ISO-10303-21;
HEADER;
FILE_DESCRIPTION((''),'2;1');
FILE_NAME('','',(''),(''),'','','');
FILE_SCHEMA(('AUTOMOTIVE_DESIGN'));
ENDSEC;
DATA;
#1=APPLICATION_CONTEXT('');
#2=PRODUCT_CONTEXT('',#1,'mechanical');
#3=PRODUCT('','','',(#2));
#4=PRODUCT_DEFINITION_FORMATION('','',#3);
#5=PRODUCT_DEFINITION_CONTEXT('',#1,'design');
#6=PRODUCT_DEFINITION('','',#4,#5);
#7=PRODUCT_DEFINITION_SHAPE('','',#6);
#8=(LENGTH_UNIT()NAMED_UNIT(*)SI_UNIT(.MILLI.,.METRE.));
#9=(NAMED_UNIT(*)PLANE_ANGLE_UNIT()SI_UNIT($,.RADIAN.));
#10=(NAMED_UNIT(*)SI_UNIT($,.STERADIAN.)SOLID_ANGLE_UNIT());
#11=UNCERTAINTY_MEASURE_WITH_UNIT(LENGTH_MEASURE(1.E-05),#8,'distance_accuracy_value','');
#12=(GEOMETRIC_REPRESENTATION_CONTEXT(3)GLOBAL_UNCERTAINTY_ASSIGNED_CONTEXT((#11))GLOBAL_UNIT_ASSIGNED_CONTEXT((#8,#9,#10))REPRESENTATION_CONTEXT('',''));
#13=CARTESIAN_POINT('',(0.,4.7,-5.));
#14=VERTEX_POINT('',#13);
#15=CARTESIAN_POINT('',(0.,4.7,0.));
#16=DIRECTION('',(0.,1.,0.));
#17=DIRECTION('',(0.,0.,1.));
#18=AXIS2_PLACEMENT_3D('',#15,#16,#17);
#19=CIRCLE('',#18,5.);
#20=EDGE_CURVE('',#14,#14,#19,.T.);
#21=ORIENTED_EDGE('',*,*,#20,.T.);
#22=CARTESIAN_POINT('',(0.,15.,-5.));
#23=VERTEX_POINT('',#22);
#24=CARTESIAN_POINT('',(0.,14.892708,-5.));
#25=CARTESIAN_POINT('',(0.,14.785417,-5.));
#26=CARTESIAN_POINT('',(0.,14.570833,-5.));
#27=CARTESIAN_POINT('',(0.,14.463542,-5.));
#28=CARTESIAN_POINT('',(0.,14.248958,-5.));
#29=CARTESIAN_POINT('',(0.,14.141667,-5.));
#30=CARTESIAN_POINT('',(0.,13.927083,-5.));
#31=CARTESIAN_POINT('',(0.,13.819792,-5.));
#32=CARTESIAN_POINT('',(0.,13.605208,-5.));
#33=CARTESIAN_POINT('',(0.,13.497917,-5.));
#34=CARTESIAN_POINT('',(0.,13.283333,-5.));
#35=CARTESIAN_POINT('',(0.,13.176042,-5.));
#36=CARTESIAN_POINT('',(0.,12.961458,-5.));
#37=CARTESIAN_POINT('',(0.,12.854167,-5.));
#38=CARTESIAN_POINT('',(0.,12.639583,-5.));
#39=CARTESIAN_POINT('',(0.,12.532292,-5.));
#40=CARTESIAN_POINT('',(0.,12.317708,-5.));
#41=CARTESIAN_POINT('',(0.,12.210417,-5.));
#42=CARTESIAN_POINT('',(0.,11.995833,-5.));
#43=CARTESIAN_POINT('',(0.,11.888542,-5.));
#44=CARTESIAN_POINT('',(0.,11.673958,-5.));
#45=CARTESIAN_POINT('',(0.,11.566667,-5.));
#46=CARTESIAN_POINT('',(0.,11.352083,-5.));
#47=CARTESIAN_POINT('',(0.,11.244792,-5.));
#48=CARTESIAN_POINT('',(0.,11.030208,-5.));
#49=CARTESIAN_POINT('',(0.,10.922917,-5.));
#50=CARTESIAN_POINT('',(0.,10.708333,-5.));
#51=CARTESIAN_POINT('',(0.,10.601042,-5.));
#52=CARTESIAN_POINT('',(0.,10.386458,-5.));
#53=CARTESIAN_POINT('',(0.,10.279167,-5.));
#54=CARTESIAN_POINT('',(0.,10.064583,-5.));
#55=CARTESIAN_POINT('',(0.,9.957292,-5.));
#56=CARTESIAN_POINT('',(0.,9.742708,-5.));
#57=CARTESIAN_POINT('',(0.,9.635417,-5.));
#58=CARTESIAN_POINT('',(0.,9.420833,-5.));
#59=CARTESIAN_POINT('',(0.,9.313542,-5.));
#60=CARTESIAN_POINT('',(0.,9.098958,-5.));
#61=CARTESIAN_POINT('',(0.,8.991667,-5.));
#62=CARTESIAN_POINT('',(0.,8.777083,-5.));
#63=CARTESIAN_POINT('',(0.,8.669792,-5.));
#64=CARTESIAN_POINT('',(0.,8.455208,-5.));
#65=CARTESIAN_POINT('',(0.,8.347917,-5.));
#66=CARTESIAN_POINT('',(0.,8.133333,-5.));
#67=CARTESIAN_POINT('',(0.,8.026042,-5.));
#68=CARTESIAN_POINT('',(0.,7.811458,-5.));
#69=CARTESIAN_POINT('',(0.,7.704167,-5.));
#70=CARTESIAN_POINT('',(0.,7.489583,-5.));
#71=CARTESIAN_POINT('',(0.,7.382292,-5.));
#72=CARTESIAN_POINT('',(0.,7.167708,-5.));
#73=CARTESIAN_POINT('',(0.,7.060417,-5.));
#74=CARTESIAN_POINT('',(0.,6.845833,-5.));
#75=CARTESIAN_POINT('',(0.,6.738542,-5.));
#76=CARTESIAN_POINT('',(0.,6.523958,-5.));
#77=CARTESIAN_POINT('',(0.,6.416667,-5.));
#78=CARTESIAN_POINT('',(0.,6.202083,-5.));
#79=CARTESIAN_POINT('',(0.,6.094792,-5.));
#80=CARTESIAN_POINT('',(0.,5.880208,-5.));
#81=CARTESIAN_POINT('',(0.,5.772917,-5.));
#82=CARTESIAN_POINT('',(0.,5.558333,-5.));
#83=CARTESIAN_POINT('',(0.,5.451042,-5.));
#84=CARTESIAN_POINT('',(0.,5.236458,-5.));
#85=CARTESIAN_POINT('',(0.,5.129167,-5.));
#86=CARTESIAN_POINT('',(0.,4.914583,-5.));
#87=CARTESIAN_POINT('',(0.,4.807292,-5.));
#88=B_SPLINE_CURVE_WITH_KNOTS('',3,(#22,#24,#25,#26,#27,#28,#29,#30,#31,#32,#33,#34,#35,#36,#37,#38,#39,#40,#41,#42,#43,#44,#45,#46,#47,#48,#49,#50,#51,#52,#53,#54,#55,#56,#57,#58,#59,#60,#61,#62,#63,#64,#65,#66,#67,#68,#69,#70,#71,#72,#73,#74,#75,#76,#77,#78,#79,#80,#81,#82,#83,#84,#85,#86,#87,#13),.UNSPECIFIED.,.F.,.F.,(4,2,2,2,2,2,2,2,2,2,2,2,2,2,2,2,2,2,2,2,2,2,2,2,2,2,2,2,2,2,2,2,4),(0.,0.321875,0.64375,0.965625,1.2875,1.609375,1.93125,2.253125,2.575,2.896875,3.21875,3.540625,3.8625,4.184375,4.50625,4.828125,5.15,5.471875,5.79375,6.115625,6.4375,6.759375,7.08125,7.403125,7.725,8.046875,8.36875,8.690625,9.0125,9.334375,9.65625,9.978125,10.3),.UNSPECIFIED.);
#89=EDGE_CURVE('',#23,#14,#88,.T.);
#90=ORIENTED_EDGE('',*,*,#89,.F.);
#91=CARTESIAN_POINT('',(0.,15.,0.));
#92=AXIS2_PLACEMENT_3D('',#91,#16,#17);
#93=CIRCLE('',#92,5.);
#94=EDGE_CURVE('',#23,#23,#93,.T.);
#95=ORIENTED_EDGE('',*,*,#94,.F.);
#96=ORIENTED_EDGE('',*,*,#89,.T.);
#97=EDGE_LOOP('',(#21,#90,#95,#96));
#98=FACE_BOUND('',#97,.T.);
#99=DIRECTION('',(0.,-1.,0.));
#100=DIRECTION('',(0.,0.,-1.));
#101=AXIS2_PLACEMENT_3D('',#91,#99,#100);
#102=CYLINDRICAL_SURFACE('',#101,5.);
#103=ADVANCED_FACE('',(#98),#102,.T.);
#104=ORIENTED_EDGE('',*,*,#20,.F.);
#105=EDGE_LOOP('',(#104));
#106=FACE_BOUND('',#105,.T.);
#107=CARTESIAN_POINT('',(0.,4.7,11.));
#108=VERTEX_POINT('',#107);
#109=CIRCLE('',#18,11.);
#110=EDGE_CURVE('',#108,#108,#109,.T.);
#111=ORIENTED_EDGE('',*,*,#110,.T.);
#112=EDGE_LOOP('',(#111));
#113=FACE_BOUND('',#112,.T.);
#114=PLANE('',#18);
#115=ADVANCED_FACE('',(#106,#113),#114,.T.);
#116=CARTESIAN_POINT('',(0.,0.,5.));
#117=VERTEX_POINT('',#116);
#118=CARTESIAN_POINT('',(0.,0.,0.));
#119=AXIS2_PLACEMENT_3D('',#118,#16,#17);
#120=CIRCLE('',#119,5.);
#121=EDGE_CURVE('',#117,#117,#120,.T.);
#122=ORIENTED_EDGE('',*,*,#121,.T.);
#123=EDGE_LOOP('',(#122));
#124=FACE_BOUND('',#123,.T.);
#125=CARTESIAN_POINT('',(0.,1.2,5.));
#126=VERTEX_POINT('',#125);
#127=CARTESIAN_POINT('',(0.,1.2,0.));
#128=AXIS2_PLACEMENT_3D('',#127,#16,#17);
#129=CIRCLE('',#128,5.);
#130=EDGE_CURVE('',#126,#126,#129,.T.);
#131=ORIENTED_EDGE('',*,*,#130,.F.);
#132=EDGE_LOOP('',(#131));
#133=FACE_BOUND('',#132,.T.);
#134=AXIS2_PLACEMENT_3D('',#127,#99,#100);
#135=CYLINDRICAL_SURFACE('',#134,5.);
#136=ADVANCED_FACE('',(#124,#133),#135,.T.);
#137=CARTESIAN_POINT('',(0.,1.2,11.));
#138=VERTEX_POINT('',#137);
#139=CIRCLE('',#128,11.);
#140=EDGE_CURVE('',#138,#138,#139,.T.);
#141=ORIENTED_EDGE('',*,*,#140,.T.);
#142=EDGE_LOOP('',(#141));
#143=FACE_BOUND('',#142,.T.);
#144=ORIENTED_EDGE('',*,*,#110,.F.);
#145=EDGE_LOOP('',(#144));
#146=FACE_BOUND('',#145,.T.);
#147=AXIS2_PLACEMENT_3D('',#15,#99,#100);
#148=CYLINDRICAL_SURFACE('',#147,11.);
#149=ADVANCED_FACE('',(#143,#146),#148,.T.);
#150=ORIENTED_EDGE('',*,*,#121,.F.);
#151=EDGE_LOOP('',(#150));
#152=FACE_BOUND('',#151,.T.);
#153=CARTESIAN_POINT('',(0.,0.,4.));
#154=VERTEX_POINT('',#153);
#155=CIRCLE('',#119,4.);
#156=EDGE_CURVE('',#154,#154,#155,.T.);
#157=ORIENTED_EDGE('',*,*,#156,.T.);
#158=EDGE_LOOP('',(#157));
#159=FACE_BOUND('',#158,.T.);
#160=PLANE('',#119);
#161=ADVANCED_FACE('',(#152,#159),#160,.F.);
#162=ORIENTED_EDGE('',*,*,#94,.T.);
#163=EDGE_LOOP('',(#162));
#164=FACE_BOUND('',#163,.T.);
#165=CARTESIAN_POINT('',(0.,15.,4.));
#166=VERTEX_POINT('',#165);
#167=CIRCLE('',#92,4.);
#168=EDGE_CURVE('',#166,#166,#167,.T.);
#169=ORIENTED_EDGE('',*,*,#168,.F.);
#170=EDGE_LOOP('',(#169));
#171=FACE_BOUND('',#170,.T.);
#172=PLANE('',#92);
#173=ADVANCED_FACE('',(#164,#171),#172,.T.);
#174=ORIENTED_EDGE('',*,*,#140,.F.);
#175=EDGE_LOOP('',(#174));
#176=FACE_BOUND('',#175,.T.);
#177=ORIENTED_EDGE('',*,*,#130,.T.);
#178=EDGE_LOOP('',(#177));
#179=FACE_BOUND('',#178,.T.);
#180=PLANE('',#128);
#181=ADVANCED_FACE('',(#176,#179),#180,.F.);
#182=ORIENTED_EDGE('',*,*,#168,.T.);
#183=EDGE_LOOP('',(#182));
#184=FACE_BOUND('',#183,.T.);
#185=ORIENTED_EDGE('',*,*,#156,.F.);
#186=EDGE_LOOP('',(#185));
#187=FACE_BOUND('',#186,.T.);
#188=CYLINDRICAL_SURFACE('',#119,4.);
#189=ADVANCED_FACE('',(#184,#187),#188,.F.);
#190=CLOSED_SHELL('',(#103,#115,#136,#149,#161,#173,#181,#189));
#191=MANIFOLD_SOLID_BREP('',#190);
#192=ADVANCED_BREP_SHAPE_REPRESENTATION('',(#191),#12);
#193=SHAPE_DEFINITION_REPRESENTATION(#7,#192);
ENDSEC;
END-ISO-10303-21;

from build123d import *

# Parameters (mm, degrees)
SKETCH_1_R          = 5
EXTRUDE_1_DEPTH     = 1.2
SKETCH_2_R          = 11
EXTRUDE_2_DEPTH     = 3.5
SKETCH_3_R          = 5
EXTRUDE_3_DEPTH     = 10.3
SKETCH_4_R          = 4
CUT_EXTRUDE_1_DEPTH = 22.610182785


with BuildPart() as part:
    # 草图1 → 凸台-拉伸1 (new body)
    with BuildSketch(Plane(origin=(0, 0, 0), x_dir=(1, 0, 0), z_dir=(0, 1, 0))):
        with Locations(Location((0, 0, 0), (0, 0, 270))):
            Circle(SKETCH_1_R)
    extrude(amount=EXTRUDE_1_DEPTH)

    # 草图2 → 凸台-拉伸2 (add)
    with BuildSketch(Plane(origin=(0, 1.2, 0), x_dir=(1, 0, 0), z_dir=(0, 1, 0))):
        with Locations(Location((0, 0, 0), (0, 0, 270))):
            Circle(SKETCH_2_R)
    extrude(amount=EXTRUDE_2_DEPTH)

    # 草图3 → 凸台-拉伸3 (add)
    with BuildSketch(Plane(origin=(0, 4.7, 0), x_dir=(1, 0, 0), z_dir=(0, 1, 0))):
        with Locations(Location((0, 0, 0), (0, 0, 270))):
            Circle(SKETCH_3_R)
    extrude(amount=EXTRUDE_3_DEPTH)

    # 草图4 → 切除-拉伸1 (cut, through all)
    with BuildSketch(Plane(origin=(0, 15, 0), x_dir=(1, 0, 0), z_dir=(0, 1, 0))):
        with Locations(Location((0, 0, 0), (0, 0, 270))):
            Circle(SKETCH_4_R)
    extrude(amount=-CUT_EXTRUDE_1_DEPTH, mode=Mode.SUBTRACT)


solid = part.part
